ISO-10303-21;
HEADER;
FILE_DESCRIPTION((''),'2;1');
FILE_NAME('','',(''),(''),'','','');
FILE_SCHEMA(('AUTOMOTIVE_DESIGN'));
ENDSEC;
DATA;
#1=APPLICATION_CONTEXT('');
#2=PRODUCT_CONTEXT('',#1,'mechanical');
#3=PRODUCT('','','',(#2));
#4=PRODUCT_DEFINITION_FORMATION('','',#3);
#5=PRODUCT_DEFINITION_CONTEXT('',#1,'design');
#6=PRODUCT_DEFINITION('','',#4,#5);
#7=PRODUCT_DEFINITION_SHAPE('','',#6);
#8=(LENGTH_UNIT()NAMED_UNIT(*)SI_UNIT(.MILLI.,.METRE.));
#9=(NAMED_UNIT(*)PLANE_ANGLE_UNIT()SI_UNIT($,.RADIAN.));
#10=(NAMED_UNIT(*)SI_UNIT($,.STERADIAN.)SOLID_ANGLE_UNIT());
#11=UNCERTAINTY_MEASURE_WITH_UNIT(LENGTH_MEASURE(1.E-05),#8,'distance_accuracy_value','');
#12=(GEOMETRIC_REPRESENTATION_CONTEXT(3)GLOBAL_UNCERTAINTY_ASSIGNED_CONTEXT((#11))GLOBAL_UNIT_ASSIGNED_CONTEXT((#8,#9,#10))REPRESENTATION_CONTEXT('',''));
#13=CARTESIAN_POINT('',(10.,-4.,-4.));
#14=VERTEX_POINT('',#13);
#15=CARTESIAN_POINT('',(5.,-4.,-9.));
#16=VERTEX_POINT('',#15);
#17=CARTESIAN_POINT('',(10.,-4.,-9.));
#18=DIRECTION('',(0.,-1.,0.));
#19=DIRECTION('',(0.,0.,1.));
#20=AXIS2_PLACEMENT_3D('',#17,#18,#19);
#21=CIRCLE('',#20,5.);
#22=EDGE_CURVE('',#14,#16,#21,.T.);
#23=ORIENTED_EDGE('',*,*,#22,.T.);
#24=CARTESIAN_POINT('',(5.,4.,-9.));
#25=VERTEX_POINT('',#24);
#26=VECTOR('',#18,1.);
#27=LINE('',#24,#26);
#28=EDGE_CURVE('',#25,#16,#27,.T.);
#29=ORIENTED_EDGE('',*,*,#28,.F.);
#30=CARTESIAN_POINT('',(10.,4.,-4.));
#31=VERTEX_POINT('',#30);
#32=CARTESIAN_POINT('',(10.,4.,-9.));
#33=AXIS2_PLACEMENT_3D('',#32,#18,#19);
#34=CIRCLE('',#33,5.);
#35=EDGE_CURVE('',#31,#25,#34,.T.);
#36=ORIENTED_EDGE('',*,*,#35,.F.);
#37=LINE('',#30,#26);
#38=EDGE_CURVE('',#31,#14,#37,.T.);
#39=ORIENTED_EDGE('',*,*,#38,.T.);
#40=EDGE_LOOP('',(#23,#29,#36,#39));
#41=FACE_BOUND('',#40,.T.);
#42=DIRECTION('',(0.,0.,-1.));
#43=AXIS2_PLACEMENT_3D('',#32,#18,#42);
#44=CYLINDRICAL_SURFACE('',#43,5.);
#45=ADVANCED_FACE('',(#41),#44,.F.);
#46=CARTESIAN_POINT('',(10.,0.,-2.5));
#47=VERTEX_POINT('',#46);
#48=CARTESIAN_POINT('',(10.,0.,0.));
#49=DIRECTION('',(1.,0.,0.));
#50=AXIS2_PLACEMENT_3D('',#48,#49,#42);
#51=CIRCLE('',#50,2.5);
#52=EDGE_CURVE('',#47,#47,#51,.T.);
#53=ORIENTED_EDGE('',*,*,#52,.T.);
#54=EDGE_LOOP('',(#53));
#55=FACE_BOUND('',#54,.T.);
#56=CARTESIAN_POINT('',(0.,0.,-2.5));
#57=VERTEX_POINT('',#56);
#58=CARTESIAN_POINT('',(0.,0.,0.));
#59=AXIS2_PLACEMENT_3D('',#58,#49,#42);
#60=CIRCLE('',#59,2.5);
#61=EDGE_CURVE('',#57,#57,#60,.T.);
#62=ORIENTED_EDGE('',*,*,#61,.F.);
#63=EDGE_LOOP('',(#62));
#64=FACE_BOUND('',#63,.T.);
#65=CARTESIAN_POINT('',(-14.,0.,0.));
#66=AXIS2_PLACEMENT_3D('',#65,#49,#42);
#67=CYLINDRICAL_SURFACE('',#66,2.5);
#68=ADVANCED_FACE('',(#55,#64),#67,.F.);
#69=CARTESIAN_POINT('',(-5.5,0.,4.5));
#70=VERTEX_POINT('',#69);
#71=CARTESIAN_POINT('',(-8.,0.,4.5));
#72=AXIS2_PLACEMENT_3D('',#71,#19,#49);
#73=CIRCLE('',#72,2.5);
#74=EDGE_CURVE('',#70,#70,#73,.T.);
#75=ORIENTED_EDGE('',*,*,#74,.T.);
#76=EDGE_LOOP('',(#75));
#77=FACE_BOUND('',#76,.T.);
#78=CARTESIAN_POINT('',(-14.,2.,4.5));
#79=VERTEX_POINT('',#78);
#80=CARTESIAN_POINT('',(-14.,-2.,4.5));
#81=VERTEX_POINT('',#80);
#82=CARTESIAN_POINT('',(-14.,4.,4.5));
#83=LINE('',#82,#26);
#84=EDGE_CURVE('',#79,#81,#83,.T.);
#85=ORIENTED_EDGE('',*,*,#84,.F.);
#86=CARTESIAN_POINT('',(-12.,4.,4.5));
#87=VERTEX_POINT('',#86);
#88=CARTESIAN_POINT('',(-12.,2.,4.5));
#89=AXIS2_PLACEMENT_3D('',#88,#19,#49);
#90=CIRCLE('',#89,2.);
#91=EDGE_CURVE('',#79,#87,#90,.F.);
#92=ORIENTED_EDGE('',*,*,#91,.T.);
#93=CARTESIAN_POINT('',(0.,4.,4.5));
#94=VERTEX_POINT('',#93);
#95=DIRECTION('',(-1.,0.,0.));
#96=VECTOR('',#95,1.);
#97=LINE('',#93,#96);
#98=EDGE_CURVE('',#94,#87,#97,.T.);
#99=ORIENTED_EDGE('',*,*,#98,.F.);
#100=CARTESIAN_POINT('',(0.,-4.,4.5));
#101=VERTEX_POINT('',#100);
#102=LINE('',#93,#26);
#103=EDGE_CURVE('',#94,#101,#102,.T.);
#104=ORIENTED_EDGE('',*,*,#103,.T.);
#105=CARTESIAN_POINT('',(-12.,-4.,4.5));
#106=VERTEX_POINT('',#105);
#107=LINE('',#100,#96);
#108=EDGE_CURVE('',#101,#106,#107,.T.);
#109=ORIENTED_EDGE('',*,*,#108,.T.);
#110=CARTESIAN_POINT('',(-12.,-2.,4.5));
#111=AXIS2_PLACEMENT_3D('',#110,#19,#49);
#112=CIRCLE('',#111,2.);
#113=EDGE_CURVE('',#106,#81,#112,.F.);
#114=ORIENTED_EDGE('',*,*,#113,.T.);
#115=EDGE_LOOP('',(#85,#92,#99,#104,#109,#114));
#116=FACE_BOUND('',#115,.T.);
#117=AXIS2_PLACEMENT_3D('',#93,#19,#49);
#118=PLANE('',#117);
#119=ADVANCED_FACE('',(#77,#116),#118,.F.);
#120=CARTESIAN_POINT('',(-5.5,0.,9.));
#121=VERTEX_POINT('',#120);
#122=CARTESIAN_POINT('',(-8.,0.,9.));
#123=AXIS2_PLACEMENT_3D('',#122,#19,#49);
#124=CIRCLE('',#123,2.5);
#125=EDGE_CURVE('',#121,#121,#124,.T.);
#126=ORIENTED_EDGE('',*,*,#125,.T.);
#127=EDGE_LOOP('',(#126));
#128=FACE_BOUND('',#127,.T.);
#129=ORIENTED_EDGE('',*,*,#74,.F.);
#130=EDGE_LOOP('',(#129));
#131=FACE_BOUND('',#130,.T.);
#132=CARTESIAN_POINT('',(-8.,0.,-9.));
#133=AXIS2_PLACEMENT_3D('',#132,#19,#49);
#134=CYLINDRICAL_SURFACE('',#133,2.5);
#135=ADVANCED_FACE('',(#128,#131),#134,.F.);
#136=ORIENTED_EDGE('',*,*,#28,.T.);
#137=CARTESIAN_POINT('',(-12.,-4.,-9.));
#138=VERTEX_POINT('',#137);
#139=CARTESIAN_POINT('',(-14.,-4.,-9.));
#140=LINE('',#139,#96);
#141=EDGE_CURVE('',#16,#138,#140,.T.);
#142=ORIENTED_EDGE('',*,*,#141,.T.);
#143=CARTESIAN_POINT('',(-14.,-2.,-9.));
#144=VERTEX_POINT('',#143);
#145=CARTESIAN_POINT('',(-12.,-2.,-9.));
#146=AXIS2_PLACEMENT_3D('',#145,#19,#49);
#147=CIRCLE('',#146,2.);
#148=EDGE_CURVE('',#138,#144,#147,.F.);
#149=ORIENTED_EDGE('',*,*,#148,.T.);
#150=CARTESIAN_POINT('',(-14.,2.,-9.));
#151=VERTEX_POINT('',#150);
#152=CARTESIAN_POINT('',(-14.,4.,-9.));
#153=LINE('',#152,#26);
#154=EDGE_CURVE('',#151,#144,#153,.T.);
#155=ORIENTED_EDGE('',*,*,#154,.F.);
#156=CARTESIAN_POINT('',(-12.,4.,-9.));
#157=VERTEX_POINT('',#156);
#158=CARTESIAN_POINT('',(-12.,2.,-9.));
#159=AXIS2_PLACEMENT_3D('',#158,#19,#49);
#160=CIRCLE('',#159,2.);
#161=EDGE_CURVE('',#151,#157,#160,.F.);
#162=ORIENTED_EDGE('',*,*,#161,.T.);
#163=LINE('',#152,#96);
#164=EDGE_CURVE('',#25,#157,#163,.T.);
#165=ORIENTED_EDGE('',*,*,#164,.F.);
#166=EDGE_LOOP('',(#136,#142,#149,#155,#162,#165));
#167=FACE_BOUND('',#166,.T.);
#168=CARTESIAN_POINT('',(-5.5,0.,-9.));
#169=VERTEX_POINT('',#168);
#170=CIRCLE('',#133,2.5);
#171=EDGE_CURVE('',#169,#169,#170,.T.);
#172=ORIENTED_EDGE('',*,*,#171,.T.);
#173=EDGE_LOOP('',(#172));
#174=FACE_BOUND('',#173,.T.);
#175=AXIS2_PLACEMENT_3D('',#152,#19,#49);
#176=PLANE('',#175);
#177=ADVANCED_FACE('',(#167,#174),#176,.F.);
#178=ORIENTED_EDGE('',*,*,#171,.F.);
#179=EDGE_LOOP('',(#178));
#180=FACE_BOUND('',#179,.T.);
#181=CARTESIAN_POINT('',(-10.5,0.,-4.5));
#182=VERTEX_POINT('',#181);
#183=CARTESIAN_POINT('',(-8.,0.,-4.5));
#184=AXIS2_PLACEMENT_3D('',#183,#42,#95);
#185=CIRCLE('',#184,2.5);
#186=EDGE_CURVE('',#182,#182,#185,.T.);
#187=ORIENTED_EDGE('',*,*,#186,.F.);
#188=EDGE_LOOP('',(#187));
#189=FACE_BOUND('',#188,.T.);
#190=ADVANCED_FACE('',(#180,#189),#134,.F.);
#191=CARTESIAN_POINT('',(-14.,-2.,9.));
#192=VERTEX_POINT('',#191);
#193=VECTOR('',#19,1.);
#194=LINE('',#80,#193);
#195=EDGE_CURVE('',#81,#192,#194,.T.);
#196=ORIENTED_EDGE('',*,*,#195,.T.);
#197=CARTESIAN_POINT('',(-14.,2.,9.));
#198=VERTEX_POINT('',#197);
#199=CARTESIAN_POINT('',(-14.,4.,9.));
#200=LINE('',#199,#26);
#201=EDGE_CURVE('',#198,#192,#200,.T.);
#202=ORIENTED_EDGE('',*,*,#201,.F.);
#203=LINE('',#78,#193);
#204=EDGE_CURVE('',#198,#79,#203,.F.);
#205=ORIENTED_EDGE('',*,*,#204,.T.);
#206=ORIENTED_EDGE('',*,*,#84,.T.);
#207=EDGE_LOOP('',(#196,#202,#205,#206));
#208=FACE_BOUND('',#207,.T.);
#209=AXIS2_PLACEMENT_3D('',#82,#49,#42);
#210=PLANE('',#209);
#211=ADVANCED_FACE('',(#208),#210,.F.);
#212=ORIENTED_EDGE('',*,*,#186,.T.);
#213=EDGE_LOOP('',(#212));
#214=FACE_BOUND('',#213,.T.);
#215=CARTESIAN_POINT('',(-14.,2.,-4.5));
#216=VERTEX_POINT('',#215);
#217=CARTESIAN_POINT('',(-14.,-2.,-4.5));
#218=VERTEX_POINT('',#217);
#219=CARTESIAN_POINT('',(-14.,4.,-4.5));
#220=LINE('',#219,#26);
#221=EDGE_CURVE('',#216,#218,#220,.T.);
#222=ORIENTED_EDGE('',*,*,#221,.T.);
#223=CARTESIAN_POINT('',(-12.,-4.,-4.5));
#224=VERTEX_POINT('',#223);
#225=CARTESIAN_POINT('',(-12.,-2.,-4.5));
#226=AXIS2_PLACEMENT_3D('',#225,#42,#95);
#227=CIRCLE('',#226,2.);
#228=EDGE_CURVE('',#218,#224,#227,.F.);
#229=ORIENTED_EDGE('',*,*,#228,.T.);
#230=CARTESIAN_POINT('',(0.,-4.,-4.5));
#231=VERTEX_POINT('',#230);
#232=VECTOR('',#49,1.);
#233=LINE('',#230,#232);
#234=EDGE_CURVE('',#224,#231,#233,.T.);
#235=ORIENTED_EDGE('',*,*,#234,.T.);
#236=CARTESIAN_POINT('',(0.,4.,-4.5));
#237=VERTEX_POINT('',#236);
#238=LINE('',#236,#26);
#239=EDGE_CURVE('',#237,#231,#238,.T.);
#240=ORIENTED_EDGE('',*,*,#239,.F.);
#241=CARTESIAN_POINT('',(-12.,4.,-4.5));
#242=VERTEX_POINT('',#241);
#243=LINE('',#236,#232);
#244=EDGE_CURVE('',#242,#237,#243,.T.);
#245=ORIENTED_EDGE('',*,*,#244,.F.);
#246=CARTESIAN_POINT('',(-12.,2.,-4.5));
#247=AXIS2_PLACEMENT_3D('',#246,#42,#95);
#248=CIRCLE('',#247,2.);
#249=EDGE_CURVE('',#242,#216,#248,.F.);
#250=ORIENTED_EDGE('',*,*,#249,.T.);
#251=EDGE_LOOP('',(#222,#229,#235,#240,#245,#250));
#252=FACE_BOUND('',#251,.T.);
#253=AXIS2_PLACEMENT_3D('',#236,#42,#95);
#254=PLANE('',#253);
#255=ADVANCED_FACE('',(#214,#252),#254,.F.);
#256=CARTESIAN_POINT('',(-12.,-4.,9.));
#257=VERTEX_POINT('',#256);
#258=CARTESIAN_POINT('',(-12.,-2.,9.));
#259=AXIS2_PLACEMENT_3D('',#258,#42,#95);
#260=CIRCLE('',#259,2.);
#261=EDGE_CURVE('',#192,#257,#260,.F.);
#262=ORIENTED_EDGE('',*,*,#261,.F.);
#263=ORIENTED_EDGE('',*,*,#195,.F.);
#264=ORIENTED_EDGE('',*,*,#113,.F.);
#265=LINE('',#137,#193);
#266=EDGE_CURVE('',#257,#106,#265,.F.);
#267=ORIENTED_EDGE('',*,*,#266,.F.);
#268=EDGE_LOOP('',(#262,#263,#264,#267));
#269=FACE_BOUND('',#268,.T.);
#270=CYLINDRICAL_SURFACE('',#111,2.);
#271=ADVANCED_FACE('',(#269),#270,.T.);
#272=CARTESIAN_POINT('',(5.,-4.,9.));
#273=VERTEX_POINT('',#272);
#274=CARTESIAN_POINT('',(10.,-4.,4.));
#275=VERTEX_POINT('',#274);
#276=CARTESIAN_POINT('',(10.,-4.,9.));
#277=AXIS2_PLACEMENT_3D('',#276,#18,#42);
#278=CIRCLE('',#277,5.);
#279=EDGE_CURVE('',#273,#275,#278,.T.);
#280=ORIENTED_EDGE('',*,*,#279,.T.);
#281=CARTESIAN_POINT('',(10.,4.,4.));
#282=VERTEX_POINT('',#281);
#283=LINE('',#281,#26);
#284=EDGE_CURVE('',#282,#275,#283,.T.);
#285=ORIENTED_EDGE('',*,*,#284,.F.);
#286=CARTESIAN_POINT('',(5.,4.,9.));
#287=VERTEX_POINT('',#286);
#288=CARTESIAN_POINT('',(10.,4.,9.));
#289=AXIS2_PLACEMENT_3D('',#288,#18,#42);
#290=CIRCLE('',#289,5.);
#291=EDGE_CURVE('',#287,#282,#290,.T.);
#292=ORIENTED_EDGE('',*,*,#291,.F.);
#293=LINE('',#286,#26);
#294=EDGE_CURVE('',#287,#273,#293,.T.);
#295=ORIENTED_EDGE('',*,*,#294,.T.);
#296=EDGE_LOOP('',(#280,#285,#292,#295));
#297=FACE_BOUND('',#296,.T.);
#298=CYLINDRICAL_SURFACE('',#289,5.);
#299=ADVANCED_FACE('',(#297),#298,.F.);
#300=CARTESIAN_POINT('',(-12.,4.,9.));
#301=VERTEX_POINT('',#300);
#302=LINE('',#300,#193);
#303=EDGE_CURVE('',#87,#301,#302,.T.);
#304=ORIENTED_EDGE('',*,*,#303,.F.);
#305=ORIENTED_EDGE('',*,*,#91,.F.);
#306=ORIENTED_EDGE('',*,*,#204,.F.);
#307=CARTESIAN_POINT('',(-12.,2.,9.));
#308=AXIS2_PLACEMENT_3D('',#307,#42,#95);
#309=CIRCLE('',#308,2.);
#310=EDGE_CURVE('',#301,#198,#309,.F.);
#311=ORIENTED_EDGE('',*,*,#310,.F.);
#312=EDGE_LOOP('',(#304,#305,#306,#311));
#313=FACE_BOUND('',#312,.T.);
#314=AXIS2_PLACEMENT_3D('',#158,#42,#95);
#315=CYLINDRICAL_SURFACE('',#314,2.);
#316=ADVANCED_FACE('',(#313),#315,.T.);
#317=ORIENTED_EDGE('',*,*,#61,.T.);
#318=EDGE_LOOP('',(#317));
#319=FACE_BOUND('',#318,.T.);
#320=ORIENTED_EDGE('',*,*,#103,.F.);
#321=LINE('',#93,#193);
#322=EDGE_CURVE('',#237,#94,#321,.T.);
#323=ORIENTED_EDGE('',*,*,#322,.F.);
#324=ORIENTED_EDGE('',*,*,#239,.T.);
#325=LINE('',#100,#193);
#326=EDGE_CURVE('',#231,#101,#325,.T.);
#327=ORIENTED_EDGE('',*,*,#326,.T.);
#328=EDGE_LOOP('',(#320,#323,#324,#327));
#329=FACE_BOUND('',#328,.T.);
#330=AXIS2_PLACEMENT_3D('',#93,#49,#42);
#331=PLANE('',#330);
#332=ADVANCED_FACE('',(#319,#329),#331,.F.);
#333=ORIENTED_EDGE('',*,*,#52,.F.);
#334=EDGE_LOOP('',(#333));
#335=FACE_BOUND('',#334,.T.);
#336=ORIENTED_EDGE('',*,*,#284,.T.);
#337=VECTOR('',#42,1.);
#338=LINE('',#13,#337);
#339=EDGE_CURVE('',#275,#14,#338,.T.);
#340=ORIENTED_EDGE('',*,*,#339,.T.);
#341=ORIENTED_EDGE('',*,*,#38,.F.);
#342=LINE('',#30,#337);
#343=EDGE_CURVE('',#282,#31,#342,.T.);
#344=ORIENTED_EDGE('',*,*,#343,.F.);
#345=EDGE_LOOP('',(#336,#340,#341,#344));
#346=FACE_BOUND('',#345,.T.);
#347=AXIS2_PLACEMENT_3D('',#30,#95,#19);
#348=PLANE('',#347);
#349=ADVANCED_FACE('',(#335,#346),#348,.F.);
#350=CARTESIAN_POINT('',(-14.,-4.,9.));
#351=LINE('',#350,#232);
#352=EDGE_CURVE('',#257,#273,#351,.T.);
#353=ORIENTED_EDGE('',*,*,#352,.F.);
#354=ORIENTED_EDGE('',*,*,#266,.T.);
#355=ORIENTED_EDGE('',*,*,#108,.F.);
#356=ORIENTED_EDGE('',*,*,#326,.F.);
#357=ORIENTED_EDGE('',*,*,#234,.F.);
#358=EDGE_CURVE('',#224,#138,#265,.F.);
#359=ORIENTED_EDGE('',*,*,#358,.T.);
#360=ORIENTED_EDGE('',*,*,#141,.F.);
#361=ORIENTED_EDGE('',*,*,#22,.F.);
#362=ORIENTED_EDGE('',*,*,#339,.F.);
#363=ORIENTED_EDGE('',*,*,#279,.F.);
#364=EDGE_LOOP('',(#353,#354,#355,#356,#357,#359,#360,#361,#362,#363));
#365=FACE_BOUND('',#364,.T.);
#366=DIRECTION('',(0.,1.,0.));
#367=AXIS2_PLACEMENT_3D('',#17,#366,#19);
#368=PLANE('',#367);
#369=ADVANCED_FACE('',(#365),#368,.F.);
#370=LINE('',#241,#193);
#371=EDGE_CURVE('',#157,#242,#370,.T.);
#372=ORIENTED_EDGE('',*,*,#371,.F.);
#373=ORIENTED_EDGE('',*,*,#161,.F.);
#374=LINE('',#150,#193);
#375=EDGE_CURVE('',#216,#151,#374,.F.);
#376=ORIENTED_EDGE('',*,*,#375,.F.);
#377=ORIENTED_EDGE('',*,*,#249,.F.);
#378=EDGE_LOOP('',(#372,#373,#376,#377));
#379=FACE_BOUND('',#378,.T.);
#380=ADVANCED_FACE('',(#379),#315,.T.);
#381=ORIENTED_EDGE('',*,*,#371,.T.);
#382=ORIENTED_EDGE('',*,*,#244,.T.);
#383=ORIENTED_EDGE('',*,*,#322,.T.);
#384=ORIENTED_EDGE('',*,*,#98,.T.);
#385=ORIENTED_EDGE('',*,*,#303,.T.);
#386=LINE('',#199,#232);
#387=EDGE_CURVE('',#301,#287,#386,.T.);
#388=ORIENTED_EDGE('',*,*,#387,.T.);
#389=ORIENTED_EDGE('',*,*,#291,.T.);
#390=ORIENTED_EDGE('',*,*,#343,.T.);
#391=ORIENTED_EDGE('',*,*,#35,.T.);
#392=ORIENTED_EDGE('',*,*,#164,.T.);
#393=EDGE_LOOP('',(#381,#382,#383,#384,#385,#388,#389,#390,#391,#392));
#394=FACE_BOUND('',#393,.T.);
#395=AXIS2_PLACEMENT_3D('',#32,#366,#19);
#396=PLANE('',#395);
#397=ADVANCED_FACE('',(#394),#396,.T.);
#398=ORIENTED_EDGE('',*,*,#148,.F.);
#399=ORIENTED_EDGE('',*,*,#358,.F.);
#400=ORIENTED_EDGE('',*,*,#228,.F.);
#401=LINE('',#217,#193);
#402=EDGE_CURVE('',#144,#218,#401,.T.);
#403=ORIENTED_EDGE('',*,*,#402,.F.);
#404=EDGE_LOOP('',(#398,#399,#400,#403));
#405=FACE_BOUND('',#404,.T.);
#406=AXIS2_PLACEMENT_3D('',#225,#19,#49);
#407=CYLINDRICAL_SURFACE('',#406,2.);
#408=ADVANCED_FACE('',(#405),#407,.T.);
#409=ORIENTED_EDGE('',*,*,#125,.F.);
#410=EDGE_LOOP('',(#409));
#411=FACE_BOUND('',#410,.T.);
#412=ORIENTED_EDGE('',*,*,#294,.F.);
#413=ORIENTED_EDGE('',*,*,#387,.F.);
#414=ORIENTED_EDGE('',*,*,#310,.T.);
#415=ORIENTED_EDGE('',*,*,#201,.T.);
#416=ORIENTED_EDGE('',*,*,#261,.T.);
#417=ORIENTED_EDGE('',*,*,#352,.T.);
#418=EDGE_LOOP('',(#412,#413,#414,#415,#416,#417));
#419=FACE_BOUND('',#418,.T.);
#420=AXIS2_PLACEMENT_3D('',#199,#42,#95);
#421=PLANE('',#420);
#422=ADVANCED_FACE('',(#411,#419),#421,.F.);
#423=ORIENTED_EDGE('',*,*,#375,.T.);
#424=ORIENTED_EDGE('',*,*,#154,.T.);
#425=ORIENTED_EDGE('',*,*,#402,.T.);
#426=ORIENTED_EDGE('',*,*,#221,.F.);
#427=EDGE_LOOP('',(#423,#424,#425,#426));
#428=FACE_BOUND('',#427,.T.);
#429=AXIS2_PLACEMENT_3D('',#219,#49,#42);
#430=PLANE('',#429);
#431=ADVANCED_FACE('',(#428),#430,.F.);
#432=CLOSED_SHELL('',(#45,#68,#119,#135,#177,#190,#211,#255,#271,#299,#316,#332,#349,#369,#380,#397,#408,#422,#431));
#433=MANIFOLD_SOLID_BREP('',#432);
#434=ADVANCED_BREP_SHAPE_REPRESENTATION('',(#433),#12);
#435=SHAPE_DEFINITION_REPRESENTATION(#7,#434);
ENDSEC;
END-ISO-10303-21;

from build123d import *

# Parameters (mm, degrees)
BOSS_EXTRUDE1_DEPTH     = 4
SKETCH3_R               = 2.5
CUT_EXTRUDE1_DEPTH      = 26.942243542
CUT_EXTRUDE2_DEPTH      = 18.117242769
CUT_EXTRUDE2_DEPTH_BACK = 18.117242769
SKETCH4_R               = 2.5
FILLET1_R               = 2


with BuildPart() as part:
    # Sketch2 → Boss-Extrude1 (new, symmetric)
    with BuildSketch(Plane(origin=(0, 0, 0), x_dir=(1, 0, 0), z_dir=(0, 1, 0))):
        with BuildLine():
            Line((0, 4.5), (-14, 4.5))
            Line((-14, 4.5), (-14, 9))
            Line((-14, 9), (5, 9))
            ThreePointArc((5, 9), (6.464466094, 5.464466094), (10, 4))
            Line((10, 4), (10, -4))
            ThreePointArc((10, -4), (6.464466094, -5.464466094), (5, -9))
            Line((5, -9), (-14, -9))
            Line((-14, -9), (-14, -4.5))
            Line((-14, -4.5), (0, -4.5))
            Line((0, -4.5), (0, 4.5))
        make_face()
    extrude(amount=BOSS_EXTRUDE1_DEPTH, both=True)

    # Sketch3 → Cut-Extrude1 (cut, through all)
    with BuildSketch(Plane(origin=(10, 0, 0), x_dir=(0, 0, -1), z_dir=(1, 0, 0))):
        Circle(SKETCH3_R)
    extrude(amount=-CUT_EXTRUDE1_DEPTH, mode=Mode.SUBTRACT)

    # Sketch4 → Cut-Extrude2 (cut, two sides: drawn at the far end of the back side and taken through both)
    with BuildSketch(Plane.XY.offset(-CUT_EXTRUDE2_DEPTH_BACK)):
        with Locations((-8, 0)):
            Circle(SKETCH4_R)
    extrude(amount=CUT_EXTRUDE2_DEPTH + CUT_EXTRUDE2_DEPTH_BACK, mode=Mode.SUBTRACT)

    # Fillet1
    fillet1_edges = [part.edges().sort_by_distance(p)[0] for p in [
        (-14, -4, -6.75),
        (-14, 4, 6.75),
        (-14, -4, 6.75),
        (-14, 4, -6.75),
    ]]
    fillet(fillet1_edges, radius=FILLET1_R)


solid = part.part
